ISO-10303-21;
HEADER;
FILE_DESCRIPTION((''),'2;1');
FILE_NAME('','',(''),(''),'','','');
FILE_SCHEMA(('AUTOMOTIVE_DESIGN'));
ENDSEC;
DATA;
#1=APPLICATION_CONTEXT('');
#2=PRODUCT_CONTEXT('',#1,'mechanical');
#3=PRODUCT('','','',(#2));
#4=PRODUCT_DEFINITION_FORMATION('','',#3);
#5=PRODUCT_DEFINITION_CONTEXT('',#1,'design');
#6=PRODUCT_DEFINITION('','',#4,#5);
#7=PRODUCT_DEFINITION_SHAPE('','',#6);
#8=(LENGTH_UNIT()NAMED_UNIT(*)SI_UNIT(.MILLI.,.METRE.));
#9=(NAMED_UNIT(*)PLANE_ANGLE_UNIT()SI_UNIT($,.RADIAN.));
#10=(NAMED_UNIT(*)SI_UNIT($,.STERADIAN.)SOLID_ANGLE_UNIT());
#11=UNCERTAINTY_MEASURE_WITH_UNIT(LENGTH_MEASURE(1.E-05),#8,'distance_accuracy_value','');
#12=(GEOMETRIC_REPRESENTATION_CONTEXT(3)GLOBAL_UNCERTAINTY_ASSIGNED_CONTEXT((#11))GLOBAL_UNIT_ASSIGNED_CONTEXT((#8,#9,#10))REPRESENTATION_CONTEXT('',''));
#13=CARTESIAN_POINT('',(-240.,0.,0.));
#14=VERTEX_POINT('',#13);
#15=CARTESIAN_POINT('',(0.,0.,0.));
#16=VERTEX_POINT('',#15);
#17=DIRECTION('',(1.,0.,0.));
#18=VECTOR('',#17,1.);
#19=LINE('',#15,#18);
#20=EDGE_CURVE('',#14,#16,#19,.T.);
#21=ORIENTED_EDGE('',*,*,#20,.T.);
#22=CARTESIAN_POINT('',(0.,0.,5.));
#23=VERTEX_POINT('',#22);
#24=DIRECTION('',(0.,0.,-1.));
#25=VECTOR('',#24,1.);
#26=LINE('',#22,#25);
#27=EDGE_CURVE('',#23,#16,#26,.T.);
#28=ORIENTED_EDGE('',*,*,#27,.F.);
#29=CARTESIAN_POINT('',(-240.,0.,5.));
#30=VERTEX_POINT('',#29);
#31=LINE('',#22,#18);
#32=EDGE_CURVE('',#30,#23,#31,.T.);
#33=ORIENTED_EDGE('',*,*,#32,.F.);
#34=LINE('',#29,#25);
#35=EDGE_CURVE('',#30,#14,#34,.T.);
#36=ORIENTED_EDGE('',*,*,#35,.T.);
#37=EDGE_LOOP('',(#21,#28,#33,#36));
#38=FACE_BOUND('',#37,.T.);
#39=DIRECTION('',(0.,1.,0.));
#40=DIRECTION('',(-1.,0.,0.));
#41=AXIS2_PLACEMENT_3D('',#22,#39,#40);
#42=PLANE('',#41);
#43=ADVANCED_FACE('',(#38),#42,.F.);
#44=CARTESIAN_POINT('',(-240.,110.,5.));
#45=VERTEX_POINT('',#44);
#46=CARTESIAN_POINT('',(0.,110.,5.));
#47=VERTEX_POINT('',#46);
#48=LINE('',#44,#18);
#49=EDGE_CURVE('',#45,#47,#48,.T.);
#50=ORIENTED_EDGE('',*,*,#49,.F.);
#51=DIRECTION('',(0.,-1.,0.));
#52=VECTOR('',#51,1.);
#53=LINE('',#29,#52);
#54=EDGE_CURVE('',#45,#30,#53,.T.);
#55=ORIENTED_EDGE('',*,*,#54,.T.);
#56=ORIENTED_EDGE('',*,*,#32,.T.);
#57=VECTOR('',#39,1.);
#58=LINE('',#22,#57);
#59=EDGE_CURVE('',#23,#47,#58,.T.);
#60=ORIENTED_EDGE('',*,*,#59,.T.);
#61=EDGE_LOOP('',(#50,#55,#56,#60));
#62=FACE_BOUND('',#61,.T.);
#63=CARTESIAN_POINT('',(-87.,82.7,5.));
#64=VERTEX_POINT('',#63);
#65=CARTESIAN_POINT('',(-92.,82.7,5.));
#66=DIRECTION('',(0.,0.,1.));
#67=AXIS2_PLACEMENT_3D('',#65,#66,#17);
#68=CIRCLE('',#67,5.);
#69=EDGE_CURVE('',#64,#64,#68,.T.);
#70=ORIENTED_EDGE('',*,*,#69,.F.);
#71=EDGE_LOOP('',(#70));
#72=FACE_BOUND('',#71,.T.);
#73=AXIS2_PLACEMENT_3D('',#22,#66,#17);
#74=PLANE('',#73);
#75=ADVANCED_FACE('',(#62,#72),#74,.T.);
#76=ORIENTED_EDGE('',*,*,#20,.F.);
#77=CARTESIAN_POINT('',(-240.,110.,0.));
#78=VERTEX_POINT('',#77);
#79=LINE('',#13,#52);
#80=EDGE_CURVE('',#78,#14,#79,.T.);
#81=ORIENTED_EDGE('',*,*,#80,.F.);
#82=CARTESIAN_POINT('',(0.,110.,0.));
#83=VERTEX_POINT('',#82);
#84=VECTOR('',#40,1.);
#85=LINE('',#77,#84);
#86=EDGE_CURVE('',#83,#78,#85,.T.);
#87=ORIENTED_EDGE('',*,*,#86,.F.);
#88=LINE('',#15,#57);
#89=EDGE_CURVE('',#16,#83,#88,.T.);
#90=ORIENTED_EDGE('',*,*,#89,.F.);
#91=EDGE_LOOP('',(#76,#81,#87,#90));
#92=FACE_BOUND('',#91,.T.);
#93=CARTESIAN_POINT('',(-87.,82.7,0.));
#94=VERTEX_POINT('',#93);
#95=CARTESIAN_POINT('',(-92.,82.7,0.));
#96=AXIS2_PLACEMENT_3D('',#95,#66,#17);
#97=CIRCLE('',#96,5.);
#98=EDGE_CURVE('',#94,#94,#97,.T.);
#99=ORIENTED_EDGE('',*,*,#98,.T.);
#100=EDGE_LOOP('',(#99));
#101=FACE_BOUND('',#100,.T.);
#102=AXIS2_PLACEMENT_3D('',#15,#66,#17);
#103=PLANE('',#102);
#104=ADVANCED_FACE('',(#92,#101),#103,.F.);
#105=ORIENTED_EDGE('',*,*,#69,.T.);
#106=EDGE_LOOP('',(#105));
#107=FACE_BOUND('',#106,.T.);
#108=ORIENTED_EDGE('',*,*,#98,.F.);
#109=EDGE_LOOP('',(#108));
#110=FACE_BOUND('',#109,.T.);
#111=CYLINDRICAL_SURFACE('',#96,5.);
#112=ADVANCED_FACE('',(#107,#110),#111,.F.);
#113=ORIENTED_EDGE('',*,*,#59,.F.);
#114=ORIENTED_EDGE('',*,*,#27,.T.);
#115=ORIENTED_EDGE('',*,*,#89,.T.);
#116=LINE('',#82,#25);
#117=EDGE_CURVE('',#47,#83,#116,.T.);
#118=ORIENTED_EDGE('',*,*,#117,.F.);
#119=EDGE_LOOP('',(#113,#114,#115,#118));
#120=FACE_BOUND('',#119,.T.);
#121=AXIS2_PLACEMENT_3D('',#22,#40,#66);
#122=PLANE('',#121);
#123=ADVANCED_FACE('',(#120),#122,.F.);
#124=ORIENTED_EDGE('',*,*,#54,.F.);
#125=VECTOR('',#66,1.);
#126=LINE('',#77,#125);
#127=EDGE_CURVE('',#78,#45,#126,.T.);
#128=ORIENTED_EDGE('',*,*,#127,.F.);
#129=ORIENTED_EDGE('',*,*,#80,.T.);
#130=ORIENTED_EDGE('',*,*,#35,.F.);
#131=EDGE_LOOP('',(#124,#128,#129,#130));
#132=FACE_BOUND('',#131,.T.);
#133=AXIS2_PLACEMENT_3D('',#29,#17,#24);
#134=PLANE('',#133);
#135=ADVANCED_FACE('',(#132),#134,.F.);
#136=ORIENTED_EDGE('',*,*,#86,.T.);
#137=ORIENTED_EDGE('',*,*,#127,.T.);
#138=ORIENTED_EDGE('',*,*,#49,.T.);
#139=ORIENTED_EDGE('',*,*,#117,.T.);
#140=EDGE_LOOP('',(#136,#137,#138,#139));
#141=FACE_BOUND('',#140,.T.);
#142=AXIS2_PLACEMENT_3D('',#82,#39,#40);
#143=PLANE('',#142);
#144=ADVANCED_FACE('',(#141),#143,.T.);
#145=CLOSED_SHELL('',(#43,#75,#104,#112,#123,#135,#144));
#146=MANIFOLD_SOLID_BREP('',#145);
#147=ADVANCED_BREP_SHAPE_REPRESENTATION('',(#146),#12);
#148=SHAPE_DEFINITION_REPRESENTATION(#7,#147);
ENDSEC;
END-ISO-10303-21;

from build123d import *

# Parameters (mm, degrees)
ESQUISSE1_W             = 240
ESQUISSE1_H             = 50
BOSS_EXTRU_1_DEPTH      = 5
ESQUISSE2_W             = 240
ESQUISSE2_H             = 5
BOSS_EXTRU_2_DEPTH      = 50
ESQUISSE4_R             = 5
ENL_V_MAT_EXTRU_1_DEPTH = 5
ESQUISSE5_W             = 240
ESQUISSE5_H             = 5
BOSS_EXTRU_3_DEPTH      = 10


with BuildPart() as part:
    # Esquisse1 → Boss.-Extru.1 (new body)
    with BuildSketch(Plane.XY):
        with Locations((-120, 25)):
            Rectangle(ESQUISSE1_W, ESQUISSE1_H)
    extrude(amount=BOSS_EXTRU_1_DEPTH)

    # Esquisse2 → Boss.-Extru.2 (add)
    with BuildSketch(Plane(origin=(0, 50, 0), x_dir=(1, 0, 0), z_dir=(0, 1, 0))):
        with Locations((-120, -2.5)):
            Rectangle(ESQUISSE2_W, ESQUISSE2_H)
    extrude(amount=BOSS_EXTRU_2_DEPTH)

    # Esquisse4 → Enlèv. mat.-Extru.1 (cut)
    with BuildSketch(Plane.XY.offset(5)):
        with Locations((-92, 82.7)):
            Circle(ESQUISSE4_R)
    extrude(amount=-ENL_V_MAT_EXTRU_1_DEPTH, mode=Mode.SUBTRACT)

    # Esquisse5 → Boss.-Extru.3 (add)
    with BuildSketch(Plane(origin=(0, 100, 0), x_dir=(1, 0, 0), z_dir=(0, 1, 0))):
        with Locations((-120, -2.5)):
            Rectangle(ESQUISSE5_W, ESQUISSE5_H)
    extrude(amount=BOSS_EXTRU_3_DEPTH)


solid = part.part
